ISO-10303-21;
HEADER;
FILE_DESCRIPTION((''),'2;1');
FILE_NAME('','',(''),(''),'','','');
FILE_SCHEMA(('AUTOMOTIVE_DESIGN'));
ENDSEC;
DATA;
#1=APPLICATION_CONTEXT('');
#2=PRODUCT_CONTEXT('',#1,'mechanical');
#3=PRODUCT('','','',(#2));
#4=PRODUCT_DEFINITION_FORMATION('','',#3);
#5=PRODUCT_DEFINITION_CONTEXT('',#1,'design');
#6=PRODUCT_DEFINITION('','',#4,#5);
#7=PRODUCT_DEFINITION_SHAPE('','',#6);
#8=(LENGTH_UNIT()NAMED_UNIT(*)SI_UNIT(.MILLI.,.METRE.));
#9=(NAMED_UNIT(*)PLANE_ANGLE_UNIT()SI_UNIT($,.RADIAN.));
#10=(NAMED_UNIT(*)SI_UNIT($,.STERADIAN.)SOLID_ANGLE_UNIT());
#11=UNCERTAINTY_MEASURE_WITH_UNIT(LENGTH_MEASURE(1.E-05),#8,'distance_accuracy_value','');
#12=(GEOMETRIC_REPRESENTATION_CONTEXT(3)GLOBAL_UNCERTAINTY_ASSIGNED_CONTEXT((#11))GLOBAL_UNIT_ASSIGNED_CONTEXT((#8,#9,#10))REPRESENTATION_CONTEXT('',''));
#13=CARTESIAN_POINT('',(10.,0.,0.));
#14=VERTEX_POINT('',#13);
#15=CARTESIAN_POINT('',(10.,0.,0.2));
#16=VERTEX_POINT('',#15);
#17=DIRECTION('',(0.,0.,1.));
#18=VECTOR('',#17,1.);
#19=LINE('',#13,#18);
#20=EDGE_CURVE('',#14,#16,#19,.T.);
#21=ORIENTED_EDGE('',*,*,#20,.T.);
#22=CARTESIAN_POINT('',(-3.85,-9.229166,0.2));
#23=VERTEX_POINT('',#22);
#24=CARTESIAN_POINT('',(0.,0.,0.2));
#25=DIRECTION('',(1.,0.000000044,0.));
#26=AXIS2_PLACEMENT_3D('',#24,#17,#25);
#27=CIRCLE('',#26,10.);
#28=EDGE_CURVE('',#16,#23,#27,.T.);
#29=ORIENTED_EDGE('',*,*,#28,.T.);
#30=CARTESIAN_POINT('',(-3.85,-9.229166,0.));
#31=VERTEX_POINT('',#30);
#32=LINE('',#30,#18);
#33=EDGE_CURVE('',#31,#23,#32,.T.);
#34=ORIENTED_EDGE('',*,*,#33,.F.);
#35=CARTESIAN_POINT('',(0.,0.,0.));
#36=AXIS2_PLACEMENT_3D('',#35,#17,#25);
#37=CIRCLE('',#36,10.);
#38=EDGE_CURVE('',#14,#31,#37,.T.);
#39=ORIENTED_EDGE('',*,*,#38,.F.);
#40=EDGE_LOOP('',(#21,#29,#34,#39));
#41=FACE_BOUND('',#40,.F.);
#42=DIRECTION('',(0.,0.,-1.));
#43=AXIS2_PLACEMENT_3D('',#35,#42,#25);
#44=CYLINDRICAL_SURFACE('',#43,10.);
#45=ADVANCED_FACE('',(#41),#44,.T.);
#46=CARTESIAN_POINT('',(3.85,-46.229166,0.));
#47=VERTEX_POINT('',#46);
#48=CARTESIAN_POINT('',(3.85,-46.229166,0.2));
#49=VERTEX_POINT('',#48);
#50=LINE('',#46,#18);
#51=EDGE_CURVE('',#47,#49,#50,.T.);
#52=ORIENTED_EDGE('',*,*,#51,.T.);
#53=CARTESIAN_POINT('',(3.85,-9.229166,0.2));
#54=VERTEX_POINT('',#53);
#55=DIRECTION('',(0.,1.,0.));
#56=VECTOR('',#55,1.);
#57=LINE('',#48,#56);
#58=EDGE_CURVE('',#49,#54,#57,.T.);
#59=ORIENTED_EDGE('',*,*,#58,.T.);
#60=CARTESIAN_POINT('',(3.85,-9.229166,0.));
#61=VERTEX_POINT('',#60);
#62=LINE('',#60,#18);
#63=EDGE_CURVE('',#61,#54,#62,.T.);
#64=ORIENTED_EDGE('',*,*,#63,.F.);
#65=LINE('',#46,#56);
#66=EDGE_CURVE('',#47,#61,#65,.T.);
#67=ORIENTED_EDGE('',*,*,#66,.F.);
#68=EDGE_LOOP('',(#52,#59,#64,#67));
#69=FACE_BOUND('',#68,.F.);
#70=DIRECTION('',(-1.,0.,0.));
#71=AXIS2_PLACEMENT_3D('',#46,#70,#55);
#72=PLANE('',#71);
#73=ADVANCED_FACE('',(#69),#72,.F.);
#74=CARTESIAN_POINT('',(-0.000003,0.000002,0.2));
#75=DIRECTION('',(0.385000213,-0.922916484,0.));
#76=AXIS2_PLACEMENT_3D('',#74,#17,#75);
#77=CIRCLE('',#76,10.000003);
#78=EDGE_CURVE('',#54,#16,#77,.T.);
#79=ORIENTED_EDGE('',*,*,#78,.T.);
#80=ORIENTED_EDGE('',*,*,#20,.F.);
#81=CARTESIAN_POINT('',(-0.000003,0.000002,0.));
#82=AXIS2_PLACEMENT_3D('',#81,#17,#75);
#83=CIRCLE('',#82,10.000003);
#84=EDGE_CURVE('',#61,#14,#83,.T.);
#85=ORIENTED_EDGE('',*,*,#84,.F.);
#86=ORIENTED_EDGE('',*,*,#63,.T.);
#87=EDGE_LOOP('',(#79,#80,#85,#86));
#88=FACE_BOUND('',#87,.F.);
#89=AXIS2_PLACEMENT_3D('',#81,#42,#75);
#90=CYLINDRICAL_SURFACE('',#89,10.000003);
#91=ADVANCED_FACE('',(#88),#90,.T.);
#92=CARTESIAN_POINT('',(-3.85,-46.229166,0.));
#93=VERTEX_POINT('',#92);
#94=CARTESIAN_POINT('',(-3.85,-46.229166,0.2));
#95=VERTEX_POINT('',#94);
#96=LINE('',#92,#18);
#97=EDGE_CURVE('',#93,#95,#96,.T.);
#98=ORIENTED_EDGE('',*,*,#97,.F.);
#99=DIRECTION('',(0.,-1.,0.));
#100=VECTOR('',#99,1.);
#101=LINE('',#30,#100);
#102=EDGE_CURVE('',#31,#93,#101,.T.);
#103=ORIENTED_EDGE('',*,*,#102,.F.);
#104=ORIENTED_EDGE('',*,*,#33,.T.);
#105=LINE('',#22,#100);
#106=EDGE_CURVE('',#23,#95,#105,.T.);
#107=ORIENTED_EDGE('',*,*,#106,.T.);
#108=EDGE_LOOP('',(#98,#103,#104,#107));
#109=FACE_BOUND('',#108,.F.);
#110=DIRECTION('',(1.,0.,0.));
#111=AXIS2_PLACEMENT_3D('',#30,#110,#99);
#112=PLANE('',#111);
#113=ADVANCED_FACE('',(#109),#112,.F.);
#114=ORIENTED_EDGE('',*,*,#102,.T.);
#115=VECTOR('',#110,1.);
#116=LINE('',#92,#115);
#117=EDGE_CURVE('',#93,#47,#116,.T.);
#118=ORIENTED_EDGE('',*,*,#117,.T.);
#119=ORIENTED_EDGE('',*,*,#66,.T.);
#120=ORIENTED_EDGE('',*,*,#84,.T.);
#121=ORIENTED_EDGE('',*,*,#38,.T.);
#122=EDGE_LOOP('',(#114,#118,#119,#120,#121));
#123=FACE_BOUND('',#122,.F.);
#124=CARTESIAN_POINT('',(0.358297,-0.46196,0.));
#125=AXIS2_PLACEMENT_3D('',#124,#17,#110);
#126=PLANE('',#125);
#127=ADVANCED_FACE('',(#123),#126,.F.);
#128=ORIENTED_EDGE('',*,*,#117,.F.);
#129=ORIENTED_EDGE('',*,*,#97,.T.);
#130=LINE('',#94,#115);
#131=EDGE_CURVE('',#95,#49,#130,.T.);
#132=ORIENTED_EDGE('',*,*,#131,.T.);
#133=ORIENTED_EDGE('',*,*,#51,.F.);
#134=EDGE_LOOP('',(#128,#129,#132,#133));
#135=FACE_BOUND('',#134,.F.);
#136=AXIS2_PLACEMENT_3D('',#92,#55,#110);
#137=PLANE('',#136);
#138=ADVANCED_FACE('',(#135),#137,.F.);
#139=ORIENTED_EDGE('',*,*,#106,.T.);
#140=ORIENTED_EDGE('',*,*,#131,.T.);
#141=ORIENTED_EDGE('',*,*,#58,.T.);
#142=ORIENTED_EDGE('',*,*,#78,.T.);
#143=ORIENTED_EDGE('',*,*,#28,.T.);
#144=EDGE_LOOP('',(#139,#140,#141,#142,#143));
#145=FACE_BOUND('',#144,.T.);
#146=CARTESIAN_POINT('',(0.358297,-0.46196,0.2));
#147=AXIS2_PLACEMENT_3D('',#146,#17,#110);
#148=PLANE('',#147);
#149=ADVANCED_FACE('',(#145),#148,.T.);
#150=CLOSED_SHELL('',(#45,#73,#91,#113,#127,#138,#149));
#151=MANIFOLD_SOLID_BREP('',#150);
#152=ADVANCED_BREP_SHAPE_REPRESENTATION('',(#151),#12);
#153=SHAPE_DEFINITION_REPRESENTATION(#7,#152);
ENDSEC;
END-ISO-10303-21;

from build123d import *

# Parameters (mm, degrees)
F1_DEPTH = 0.2


with BuildPart() as f1:
    # F0 (on Top) → F1 (new body)
    with BuildSketch(Plane.XY):
        with BuildLine():
            ThreePointArc((3.85, -9.229166), (8.321658, -5.545268), (10, 0))
            ThreePointArc((10, 0), (-5.545268, 8.321658), (-3.85, -9.229166))
            Line((-3.85, -9.229166), (3.85, -9.229166))
        make_face()
        with BuildLine():
            ThreePointArc((3.85, -9.229166), (0, -10), (-3.85, -9.229166))
            Line((-3.85, -9.229166), (-3.85, -46.229166))
            Line((-3.85, -46.229166), (3.85, -46.229166))
            Line((3.85, -46.229166), (3.85, -9.229166))
        make_face()
        with BuildLine():
            Line((3.85, -9.229166), (-3.85, -9.229166))
            ThreePointArc((-3.85, -9.229166), (0, -10), (3.85, -9.229166))
        make_face()
    extrude(amount=F1_DEPTH)


solid = f1.part
